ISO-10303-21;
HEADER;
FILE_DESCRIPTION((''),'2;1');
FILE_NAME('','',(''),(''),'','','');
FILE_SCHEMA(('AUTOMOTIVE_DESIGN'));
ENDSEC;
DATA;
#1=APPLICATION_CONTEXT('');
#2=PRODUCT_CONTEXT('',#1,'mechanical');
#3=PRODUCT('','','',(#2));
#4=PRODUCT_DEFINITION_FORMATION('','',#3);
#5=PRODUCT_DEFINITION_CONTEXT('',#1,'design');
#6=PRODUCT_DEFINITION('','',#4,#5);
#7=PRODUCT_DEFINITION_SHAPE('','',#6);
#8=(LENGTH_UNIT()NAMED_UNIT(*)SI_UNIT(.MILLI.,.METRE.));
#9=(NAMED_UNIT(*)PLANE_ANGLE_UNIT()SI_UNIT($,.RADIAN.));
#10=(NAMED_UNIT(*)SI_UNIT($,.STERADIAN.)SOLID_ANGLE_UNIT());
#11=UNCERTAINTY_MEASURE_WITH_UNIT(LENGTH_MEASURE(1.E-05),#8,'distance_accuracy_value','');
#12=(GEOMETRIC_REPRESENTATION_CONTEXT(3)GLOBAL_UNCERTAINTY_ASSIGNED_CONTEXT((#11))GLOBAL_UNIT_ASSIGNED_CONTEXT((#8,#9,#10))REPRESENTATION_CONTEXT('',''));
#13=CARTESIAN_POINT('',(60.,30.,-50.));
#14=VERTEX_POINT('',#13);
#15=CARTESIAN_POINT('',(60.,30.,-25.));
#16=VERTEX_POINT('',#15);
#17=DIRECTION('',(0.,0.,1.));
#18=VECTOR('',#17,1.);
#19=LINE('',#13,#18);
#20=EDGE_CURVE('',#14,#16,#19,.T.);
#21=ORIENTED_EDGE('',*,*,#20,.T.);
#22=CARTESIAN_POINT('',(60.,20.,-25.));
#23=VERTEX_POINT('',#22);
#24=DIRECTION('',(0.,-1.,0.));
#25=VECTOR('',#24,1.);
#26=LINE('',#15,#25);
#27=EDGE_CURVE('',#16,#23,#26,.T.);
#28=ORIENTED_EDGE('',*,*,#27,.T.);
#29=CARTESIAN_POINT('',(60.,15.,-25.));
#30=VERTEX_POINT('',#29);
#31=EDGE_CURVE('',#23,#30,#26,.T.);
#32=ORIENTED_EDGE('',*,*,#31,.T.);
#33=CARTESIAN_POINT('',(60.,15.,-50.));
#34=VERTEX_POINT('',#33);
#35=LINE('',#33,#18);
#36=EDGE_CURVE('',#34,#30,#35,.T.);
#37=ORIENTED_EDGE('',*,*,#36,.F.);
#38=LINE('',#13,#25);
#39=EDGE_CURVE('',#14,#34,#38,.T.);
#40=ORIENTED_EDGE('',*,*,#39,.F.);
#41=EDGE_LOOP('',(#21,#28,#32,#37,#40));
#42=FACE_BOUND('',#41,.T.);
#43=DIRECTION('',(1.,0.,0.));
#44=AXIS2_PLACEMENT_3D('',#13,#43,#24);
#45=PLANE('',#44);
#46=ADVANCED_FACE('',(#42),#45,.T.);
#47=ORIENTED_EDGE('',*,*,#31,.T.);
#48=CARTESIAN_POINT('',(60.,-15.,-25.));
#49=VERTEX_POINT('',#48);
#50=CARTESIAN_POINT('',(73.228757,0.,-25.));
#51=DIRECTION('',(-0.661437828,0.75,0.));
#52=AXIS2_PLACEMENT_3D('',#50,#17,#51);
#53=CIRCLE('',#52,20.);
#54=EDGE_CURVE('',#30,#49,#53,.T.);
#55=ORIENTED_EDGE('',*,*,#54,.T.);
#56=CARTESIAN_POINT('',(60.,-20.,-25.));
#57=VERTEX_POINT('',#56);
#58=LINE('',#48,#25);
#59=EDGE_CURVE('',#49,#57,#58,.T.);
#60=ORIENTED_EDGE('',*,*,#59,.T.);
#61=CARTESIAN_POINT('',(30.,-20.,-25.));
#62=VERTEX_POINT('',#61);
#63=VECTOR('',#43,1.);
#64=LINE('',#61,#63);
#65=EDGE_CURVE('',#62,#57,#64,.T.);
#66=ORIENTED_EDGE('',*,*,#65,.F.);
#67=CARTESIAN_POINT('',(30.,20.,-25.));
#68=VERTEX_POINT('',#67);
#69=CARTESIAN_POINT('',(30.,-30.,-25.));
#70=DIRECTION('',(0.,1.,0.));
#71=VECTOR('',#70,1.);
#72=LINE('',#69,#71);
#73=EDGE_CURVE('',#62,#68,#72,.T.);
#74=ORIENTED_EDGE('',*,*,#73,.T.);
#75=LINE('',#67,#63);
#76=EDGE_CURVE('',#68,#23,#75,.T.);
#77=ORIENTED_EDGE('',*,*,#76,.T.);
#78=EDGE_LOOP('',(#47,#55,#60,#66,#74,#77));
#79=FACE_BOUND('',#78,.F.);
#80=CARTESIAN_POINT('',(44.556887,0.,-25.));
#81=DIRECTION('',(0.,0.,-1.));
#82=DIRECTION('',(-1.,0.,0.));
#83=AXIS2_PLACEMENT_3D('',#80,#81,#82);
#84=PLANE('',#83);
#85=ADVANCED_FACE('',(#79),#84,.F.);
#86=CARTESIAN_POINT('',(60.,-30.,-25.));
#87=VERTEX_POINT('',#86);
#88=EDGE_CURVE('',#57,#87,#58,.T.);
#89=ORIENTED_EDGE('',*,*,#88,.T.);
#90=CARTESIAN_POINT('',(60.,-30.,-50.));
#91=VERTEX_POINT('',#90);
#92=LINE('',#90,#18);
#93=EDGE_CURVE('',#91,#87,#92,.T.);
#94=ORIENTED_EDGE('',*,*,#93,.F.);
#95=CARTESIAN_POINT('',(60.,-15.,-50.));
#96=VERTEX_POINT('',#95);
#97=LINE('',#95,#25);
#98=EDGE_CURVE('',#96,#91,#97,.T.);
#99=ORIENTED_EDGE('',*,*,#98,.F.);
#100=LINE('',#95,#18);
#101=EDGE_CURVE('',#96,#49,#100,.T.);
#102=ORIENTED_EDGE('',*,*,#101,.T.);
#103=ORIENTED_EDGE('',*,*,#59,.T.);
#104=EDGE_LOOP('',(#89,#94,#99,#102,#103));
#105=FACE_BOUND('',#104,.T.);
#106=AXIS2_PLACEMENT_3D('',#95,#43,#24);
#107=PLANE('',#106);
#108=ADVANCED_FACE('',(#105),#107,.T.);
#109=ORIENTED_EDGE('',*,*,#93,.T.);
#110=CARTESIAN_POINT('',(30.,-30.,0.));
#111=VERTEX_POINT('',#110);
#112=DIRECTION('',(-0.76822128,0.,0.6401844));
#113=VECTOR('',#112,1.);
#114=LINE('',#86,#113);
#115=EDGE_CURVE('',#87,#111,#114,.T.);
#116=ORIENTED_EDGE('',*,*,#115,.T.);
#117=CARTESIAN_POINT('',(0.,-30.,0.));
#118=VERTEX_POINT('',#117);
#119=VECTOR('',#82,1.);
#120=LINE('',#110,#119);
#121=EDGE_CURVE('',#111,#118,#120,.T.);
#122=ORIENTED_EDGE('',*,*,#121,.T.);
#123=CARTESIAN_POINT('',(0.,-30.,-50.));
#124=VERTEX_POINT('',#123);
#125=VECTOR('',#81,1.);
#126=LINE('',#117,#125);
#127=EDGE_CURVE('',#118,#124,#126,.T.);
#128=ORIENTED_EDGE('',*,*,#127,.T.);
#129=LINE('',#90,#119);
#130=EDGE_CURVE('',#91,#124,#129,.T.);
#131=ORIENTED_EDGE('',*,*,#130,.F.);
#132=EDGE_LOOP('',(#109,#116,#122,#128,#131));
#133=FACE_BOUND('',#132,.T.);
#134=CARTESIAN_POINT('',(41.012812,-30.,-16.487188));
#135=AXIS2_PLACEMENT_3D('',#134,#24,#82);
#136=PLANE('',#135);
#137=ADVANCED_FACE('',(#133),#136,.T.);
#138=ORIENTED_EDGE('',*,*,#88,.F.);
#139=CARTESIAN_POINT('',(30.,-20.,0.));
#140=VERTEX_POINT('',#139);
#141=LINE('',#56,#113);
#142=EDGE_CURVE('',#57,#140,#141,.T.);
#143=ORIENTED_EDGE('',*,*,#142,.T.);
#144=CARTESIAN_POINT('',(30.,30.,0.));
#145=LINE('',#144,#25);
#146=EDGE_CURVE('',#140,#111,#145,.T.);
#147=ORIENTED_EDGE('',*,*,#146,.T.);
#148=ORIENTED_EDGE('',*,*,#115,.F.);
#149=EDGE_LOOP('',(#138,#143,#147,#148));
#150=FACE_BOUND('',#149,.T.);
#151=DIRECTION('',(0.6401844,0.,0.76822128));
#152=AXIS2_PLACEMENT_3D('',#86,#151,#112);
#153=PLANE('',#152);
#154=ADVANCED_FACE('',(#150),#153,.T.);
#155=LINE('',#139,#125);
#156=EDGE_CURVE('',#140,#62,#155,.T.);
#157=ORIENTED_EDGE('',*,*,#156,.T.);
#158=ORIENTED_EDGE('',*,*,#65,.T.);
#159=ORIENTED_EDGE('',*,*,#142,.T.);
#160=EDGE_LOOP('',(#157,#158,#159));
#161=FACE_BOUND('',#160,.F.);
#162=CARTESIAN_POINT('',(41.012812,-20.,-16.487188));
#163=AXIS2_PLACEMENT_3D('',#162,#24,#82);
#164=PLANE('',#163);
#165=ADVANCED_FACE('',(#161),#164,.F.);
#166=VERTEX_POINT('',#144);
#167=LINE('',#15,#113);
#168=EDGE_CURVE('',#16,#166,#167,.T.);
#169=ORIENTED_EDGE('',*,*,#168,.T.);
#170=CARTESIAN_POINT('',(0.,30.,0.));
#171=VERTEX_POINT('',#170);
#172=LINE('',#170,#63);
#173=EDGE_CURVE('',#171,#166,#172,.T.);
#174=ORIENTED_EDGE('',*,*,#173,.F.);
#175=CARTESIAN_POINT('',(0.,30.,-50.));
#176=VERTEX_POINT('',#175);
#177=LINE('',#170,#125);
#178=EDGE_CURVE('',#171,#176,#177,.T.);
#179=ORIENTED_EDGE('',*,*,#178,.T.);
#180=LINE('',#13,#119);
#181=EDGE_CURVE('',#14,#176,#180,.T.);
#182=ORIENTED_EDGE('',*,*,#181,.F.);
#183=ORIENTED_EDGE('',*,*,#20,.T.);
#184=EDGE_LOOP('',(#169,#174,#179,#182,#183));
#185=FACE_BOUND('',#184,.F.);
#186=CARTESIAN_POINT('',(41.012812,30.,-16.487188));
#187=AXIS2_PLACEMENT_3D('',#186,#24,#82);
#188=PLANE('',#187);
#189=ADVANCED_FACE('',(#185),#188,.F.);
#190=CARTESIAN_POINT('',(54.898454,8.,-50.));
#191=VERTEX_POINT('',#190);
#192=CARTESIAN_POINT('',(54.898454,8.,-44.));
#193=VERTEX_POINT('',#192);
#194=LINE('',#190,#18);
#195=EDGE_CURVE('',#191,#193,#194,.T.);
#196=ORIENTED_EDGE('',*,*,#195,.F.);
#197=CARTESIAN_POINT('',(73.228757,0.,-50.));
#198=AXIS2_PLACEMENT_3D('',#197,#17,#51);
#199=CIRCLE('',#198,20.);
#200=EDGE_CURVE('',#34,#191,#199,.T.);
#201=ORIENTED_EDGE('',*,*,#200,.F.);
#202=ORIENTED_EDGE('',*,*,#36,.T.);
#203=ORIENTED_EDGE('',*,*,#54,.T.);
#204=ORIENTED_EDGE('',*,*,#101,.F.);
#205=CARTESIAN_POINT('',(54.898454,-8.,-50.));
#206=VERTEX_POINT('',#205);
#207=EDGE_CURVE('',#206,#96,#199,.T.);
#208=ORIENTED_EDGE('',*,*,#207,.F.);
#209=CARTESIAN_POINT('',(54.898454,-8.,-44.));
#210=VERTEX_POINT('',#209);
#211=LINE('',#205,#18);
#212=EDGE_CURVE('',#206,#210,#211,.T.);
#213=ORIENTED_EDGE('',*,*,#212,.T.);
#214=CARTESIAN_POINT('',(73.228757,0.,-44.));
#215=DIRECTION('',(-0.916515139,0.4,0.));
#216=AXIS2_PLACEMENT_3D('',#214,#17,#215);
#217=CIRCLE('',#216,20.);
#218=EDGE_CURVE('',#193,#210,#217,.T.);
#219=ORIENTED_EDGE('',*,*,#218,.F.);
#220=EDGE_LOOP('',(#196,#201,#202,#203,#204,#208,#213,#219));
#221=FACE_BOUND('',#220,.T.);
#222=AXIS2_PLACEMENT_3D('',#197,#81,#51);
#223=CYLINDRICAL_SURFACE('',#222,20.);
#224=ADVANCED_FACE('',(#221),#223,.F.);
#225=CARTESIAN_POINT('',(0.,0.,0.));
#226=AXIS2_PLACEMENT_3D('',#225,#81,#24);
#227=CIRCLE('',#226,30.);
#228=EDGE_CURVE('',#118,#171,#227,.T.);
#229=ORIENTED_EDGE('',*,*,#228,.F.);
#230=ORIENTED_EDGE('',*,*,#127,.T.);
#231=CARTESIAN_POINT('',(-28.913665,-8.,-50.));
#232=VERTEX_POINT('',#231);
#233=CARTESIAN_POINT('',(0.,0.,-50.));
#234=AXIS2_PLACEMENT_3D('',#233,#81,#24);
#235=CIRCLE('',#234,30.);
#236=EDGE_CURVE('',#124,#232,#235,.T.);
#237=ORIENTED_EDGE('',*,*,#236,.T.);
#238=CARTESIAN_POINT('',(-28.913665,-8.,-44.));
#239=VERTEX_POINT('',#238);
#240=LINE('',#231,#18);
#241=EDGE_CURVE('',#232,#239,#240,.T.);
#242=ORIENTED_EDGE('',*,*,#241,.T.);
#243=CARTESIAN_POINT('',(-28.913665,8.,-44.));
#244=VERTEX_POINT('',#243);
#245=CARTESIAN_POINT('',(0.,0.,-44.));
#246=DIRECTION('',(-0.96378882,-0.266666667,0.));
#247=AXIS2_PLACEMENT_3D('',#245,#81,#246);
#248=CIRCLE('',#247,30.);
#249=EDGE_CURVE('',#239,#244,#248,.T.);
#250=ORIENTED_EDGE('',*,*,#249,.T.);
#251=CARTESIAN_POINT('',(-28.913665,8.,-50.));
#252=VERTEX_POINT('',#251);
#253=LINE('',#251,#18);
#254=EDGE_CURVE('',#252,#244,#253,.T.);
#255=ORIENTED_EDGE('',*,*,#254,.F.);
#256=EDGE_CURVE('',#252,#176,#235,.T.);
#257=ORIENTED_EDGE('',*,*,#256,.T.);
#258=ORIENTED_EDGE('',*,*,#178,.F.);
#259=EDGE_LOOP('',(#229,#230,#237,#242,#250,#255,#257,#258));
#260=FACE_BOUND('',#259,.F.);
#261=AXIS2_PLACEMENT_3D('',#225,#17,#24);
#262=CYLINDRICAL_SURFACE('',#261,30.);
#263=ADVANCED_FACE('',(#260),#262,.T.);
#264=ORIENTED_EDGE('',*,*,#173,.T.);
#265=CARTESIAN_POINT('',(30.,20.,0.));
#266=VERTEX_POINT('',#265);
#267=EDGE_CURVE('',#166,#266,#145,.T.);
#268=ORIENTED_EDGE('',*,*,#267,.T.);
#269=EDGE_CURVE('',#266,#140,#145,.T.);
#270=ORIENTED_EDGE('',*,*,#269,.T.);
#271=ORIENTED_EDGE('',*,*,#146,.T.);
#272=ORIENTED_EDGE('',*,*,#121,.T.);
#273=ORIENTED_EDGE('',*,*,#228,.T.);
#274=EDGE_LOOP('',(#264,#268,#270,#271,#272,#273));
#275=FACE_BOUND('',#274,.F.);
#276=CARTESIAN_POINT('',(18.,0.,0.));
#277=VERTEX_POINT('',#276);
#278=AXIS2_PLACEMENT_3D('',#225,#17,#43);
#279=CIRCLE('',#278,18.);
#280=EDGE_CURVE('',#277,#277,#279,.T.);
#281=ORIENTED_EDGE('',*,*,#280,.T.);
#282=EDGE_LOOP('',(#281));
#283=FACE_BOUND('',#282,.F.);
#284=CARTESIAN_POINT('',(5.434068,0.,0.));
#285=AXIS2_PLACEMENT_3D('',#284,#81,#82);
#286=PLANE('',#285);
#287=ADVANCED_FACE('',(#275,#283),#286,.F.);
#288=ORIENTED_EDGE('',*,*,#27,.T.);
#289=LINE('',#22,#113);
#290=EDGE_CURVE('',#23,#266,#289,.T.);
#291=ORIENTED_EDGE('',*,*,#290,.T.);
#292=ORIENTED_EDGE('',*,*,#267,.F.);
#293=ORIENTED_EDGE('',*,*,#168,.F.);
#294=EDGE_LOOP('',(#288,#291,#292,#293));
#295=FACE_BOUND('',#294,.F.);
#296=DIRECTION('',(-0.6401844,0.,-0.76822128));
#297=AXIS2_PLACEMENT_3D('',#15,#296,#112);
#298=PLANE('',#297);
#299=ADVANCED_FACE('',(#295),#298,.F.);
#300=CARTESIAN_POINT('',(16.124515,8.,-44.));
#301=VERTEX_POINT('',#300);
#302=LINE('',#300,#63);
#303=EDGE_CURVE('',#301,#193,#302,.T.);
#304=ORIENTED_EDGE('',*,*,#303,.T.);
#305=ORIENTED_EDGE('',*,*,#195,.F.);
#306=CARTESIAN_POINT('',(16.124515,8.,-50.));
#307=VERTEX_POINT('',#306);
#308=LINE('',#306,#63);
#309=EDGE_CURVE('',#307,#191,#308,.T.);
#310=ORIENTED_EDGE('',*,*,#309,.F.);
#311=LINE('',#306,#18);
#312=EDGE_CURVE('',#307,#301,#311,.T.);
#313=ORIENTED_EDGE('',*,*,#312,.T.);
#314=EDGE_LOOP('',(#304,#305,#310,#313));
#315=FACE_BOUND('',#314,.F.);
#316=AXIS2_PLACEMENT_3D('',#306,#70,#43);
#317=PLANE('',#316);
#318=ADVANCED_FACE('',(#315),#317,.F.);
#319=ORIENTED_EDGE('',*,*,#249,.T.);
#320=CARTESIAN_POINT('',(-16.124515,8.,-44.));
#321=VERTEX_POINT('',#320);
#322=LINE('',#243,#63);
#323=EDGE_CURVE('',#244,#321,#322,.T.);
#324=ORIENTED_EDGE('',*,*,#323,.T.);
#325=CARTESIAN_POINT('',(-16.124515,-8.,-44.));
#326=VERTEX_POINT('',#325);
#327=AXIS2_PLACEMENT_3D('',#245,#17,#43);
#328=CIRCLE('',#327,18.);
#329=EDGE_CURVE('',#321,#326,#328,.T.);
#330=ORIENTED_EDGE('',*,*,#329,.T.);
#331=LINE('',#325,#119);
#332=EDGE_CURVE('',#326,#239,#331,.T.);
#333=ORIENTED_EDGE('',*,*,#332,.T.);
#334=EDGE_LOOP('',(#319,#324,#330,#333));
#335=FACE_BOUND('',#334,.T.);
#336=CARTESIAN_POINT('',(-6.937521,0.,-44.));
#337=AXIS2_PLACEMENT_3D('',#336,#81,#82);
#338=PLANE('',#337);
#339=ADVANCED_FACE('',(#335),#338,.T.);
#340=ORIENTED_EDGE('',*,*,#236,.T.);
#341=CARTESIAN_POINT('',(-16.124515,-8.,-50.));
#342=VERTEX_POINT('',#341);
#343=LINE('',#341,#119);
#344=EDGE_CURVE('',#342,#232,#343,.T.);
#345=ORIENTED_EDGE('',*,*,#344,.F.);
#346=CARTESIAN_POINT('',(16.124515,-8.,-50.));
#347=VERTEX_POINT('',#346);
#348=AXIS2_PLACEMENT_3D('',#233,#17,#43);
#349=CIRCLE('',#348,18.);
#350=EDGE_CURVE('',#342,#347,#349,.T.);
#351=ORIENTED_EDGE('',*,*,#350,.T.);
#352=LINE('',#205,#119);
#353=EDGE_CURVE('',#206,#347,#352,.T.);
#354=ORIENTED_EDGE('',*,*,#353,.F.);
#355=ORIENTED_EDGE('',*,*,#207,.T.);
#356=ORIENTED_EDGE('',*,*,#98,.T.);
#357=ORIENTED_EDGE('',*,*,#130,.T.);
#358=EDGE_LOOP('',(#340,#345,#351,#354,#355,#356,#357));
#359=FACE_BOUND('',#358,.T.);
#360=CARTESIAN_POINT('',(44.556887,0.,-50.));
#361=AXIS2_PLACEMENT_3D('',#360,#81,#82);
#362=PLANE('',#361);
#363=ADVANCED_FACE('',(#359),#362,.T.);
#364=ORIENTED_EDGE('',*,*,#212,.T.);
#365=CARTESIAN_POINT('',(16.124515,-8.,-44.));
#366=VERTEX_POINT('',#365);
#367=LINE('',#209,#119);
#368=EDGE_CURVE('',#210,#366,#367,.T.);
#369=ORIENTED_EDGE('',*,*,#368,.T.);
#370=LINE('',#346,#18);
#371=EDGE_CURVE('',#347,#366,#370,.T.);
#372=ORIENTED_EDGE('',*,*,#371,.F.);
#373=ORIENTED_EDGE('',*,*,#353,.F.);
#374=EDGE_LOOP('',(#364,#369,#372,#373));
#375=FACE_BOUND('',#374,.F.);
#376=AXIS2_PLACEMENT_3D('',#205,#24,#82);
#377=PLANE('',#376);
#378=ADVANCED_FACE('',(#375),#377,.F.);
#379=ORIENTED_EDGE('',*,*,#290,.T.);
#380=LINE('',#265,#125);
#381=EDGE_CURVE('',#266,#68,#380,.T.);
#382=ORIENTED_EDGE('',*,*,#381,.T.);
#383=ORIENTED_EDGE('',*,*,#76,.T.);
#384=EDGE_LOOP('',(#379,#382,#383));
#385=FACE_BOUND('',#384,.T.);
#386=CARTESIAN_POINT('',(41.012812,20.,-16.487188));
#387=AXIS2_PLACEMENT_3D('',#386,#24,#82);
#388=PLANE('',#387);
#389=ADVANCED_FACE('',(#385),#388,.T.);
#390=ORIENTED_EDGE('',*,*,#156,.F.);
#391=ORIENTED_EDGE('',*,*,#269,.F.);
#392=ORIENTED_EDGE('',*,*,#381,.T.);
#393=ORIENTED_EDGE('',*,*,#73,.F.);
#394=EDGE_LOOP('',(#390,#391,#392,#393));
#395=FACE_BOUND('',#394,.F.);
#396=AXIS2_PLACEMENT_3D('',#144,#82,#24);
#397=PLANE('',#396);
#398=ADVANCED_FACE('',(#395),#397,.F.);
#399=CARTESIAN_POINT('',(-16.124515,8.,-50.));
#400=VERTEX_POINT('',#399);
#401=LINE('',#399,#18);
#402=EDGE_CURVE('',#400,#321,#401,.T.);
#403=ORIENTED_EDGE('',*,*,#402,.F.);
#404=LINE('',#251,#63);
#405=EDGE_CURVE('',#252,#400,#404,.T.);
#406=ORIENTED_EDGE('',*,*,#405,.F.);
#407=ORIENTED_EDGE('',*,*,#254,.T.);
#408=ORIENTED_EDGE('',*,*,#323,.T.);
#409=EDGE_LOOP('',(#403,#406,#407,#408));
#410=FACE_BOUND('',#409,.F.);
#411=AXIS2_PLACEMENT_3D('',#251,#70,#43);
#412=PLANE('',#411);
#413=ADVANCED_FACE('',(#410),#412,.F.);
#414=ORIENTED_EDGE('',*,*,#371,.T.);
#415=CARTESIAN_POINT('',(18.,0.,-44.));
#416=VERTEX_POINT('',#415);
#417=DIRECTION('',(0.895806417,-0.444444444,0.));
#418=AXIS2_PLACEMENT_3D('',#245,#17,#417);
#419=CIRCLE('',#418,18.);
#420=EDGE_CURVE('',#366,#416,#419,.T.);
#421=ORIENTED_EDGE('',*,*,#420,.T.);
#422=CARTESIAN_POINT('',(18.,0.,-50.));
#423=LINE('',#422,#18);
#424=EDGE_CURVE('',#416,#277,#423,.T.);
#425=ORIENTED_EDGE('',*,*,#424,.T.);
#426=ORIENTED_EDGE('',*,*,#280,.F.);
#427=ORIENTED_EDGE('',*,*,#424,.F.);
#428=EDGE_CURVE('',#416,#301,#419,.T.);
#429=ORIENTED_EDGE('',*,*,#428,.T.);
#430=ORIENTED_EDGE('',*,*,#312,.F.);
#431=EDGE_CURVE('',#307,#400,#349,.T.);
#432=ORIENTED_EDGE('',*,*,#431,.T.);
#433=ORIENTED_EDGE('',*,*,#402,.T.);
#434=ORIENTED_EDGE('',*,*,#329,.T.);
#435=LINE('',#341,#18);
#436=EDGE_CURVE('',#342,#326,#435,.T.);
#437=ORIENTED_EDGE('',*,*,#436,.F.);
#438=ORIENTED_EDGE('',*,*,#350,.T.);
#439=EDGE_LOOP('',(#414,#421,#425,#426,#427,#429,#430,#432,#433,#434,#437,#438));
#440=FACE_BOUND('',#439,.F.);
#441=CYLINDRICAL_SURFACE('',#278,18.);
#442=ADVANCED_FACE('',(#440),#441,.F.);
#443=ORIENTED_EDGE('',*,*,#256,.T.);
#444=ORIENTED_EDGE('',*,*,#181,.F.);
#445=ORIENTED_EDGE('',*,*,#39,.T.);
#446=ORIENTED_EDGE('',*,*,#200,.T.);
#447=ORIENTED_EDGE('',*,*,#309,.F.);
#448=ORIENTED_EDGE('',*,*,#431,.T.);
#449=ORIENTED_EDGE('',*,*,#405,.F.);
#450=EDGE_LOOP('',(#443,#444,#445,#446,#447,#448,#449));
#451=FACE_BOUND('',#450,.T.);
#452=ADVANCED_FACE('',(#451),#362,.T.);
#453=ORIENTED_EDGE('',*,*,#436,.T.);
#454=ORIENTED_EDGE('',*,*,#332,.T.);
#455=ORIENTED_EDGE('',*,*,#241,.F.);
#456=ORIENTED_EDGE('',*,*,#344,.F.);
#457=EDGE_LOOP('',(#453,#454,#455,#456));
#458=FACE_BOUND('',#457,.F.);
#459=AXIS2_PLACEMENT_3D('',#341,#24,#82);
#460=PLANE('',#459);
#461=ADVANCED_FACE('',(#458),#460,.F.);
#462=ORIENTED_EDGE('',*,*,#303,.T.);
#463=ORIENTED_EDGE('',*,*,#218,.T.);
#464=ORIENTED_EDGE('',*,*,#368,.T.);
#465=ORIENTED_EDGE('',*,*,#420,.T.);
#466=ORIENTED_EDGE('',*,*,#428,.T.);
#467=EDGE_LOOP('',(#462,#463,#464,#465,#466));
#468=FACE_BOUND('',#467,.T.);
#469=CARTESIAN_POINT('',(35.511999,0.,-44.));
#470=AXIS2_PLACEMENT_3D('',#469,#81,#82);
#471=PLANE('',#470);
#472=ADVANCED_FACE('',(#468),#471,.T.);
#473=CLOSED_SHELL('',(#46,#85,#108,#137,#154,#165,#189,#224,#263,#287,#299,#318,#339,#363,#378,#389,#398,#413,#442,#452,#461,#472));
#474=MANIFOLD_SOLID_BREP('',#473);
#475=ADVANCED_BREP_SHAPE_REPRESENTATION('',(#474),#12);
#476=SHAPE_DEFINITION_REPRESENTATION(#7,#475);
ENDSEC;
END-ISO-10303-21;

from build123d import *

# Parameters (mm, degrees)
SKETCH1_R           = 18
BOSS_EXTRUDE1_DEPTH = 50
BOSS_EXTRUDE3_DEPTH = 25
BOSS_EXTRUDE4_DEPTH = 10
BOSS_EXTRUDE5_DEPTH = 10
CUT_EXTRUDE2_START  = -6
CUT_EXTRUDE2_DEPTH  = 6
CUT_EXTRUDE3_DEPTH  = 6


with BuildPart() as part:
    # Sketch1 → Boss-Extrude1 (new body)
    with BuildSketch(Plane.XY):
        with BuildLine():
            Line((0, 30), (30, 30))
            Line((30, 30), (30, -30))
            Line((30, -30), (0, -30))
            ThreePointArc((0, -30), (-30, 0), (0, 30))
        make_face()
        Circle(SKETCH1_R, mode=Mode.SUBTRACT)
    extrude(amount=-BOSS_EXTRUDE1_DEPTH)

    # Sketch2 → Boss-Extrude3 (add)
    with BuildSketch(Plane(origin=(0, 0, -50), x_dir=(-1, 0, 0), z_dir=(0, 0, -1))):
        with BuildLine():
            Line((-60, -30), (-30, -30))
            Line((-30, -30), (-30, 30))
            Line((-30, 30), (-60, 30))
            Line((-60, 30), (-60, 15))
            ThreePointArc((-60, 15), (-53.228756555, 0), (-60, -15))
            Line((-60, -15), (-60, -30))
        make_face()
    extrude(amount=-BOSS_EXTRUDE3_DEPTH)

    # Sketch6 → Boss-Extrude4 (add)
    with BuildSketch(Plane(origin=(0, 30, 0), x_dir=(1, 0, 0), z_dir=(0, 1, 0))):
        Polygon((60, 25), (30, 0), (30, 25), align=None)
    extrude(amount=-BOSS_EXTRUDE4_DEPTH)

    # Sketch11 → Boss-Extrude5 (add)
    with BuildSketch(Plane(origin=(0, -30, 0), x_dir=(-1, 0, 0), z_dir=(0, -1, 0))):
        Polygon((-30, 0), (-30, 25), (-60, 25), align=None)
    extrude(amount=-BOSS_EXTRUDE5_DEPTH)

    # Sketch12 → Cut-Extrude2 (cut)
    with BuildSketch(Plane(origin=(0, 0, -50), x_dir=(-1, 0, 0), z_dir=(0, 0, -1)).offset(CUT_EXTRUDE2_START)):
        with BuildLine():
            Line((28.91366459, 8), (16.124515497, 8))
            ThreePointArc((16.124515497, 8), (-18, 0), (16.124515497, -8))
            Line((16.124515497, -8), (28.91366459, -8))
            ThreePointArc((28.91366459, -8), (30, 0), (28.91366459, 8))
        make_face()
    extrude(amount=CUT_EXTRUDE2_DEPTH, mode=Mode.SUBTRACT)

    # Sketch12<8> → Cut-Extrude3 (cut)
    with BuildSketch(Plane(origin=(0, 0, -50), x_dir=(-1, 0, 0), z_dir=(0, 0, -1))):
        with BuildLine():
            Line((-16.124515497, 8), (-54.898453775, 8))
            ThreePointArc((-54.898453775, 8), (-53.228756555, 0), (-54.898453775, -8))
            Line((-54.898453775, -8), (-16.124515497, -8))
            ThreePointArc((-16.124515497, -8), (-18, 0), (-16.124515497, 8))
        make_face()
    extrude(amount=-CUT_EXTRUDE3_DEPTH, mode=Mode.SUBTRACT)


solid = part.part
